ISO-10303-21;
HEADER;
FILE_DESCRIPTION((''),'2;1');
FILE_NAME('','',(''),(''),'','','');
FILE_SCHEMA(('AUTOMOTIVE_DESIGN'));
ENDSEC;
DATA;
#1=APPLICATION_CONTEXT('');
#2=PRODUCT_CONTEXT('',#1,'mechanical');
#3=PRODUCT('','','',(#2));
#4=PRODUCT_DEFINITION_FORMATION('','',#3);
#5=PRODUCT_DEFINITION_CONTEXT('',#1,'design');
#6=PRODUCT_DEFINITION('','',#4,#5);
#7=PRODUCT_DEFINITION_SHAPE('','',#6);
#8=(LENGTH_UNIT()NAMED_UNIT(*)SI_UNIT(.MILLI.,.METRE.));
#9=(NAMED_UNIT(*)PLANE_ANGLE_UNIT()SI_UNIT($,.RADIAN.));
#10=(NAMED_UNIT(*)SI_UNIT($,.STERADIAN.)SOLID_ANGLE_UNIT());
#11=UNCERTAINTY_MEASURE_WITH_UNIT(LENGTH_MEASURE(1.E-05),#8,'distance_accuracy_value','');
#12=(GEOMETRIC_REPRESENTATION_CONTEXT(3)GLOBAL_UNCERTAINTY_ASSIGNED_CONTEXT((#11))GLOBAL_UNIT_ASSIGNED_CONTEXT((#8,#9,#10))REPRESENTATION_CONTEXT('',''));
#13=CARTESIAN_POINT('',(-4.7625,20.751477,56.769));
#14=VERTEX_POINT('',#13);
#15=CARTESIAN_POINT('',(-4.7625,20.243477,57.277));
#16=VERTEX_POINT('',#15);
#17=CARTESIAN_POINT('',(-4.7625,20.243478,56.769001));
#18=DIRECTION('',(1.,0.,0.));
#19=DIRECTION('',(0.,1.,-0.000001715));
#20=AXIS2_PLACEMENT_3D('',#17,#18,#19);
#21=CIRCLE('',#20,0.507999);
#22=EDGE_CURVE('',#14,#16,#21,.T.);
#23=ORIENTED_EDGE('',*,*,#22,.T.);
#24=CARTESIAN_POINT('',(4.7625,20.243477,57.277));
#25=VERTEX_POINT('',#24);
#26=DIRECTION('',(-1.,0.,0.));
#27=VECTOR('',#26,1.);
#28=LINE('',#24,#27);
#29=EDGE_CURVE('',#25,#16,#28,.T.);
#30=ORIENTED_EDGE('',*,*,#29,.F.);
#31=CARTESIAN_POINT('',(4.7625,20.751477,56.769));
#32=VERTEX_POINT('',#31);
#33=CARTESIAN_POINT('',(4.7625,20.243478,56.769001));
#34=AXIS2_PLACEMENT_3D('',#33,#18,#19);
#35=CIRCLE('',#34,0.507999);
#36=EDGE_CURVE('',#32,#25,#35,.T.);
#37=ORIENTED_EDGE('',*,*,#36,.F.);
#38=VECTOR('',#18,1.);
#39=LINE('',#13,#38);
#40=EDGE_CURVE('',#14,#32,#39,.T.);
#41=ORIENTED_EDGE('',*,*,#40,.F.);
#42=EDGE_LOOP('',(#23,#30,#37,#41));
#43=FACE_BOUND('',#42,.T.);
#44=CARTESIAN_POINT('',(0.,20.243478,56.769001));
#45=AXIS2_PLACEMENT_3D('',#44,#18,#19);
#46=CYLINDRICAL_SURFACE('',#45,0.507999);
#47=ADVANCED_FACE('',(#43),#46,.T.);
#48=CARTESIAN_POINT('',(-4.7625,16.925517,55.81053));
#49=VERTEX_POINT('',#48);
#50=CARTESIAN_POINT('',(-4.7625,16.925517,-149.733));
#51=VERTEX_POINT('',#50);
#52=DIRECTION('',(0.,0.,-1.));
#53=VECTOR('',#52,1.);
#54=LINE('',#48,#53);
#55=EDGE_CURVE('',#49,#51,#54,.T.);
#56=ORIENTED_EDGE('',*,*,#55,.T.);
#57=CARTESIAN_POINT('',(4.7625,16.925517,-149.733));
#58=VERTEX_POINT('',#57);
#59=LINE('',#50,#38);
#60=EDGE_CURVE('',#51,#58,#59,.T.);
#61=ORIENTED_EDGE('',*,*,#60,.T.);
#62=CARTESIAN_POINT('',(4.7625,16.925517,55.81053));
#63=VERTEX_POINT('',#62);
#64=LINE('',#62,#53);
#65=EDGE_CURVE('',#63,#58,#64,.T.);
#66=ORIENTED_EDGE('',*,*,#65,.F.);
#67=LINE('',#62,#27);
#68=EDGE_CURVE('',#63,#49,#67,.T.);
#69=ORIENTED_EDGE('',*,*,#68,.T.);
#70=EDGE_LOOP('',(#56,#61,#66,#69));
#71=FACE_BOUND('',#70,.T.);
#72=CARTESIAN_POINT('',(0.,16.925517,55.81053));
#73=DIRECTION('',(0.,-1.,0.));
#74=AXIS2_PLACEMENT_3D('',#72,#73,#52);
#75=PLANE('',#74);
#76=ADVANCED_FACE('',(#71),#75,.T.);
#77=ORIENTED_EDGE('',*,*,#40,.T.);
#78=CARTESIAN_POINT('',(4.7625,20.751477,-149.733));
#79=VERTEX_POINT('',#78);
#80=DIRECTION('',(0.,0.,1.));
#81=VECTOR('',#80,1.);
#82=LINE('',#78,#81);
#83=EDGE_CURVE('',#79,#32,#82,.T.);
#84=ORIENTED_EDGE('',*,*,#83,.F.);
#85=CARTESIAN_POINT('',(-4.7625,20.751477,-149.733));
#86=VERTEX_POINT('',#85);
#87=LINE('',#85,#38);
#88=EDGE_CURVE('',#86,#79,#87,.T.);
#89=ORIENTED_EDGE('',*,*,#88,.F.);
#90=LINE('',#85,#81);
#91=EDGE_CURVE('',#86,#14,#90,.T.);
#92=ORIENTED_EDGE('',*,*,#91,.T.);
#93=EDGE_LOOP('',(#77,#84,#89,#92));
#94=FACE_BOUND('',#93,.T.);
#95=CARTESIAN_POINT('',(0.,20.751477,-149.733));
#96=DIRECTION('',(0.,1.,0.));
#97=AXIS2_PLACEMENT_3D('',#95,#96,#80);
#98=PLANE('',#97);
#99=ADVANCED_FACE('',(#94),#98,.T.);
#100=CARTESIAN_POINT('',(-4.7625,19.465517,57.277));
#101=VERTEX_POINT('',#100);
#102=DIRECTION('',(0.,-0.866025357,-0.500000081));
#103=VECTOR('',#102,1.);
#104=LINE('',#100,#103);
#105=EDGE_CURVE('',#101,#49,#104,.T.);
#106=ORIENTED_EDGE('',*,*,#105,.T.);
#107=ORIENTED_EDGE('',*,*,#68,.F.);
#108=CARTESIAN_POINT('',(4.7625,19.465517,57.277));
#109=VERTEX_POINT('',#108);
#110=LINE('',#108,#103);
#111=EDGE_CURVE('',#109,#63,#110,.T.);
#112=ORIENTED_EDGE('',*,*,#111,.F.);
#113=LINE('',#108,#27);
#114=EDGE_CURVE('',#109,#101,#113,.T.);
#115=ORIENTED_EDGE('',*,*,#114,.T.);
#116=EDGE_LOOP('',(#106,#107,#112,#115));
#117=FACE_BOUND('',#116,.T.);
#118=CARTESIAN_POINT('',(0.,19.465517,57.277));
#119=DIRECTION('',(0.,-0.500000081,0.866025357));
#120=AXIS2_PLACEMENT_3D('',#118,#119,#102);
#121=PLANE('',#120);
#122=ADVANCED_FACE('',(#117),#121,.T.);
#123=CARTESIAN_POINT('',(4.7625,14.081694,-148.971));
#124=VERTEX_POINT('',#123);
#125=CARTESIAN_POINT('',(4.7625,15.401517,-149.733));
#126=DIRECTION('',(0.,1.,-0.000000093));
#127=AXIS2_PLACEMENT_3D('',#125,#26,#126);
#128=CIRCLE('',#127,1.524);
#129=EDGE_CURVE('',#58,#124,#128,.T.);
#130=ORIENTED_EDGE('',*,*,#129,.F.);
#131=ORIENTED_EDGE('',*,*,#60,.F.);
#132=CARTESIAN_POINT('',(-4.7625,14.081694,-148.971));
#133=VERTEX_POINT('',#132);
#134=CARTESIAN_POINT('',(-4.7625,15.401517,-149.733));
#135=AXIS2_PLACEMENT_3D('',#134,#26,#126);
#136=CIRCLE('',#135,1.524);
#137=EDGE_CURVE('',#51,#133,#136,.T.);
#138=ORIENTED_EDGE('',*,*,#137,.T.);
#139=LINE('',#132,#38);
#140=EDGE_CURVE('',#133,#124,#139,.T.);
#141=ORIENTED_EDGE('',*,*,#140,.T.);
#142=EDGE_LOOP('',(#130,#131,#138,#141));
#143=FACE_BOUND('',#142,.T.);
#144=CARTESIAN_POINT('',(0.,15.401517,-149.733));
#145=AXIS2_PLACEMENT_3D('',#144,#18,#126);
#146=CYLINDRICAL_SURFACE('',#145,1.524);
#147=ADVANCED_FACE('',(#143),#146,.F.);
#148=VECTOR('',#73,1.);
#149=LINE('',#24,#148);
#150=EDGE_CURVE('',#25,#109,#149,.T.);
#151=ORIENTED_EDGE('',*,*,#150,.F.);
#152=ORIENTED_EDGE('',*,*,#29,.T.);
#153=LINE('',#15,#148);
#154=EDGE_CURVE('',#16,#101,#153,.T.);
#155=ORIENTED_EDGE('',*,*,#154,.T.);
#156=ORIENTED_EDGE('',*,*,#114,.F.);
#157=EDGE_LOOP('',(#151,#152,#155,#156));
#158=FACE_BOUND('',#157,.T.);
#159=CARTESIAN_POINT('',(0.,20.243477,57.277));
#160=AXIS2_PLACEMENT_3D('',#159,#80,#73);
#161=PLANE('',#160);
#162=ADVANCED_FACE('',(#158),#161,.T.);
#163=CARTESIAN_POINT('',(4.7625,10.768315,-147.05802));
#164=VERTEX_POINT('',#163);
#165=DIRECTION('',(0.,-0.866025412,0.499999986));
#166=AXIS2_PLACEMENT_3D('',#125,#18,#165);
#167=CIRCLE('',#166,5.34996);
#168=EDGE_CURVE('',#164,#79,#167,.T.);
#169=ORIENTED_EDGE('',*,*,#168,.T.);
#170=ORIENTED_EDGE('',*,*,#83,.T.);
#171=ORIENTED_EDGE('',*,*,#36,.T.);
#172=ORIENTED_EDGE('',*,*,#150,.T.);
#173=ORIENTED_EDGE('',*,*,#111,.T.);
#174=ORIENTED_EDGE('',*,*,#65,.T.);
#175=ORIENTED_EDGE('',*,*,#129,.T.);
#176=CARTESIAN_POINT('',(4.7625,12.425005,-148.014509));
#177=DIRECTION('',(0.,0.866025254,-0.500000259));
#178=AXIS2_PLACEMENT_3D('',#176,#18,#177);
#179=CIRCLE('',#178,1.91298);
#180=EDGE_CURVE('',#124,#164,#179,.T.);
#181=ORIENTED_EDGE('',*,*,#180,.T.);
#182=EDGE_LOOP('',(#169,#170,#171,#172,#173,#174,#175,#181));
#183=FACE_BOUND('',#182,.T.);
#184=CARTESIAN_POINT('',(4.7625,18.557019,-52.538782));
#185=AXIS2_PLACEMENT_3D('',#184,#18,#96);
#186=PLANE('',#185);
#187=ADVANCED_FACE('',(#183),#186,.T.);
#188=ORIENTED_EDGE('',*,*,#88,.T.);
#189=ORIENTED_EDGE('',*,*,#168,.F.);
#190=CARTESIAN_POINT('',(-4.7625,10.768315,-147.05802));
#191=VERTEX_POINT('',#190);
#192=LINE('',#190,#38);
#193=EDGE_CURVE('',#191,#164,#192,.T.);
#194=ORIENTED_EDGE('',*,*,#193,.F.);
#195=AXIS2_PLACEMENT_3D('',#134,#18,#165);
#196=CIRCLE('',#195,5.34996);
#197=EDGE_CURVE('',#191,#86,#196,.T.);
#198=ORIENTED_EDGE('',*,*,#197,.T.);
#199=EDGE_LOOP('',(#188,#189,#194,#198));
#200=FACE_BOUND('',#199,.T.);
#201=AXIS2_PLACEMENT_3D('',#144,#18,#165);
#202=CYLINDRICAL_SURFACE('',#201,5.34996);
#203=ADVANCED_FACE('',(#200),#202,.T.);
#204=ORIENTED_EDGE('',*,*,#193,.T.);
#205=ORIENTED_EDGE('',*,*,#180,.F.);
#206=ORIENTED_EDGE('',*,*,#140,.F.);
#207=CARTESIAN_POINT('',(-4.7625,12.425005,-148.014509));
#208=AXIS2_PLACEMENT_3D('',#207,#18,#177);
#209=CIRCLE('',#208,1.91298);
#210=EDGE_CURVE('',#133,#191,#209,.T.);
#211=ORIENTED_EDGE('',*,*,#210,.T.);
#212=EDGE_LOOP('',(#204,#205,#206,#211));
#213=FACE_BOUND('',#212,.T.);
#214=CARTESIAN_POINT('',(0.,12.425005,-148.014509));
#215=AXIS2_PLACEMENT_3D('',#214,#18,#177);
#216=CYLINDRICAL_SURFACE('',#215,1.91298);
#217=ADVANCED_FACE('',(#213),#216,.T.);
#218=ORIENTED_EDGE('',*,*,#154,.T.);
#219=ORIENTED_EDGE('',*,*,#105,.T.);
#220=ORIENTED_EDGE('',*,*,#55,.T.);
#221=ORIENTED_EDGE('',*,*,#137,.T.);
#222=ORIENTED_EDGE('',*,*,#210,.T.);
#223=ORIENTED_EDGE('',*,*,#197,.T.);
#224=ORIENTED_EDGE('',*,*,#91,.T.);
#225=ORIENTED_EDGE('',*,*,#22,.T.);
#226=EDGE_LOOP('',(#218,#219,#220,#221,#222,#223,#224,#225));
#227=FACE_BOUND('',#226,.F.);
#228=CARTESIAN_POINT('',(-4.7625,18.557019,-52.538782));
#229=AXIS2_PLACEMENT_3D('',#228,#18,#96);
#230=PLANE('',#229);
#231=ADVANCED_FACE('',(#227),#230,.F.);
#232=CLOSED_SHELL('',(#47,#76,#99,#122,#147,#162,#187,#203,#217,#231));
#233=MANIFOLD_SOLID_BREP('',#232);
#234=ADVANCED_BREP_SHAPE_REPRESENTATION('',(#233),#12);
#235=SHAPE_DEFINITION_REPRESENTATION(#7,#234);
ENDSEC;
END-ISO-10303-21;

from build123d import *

# Parameters (mm, degrees)
F3_DEPTH = 4.7625


with BuildPart() as f3:
    # F2 (on Right) → F3 (new body, symmetric)
    with BuildSketch(Plane.YZ):
        with BuildLine():
            Line((16.925517, 55.81053), (16.925517, -149.733))
            ThreePointArc((16.925517, -149.733), (15.007077, -151.205071), (14.081694, -148.971))
            ThreePointArc((14.081694, -148.971), (13.381495, -146.35782), (10.768315, -147.05802))
            ThreePointArc((10.768315, -147.05802), (14.016845, -154.900665), (20.751477, -149.733))
            Line((20.751477, -149.733), (20.751477, 56.769))
            ThreePointArc((20.751477, 56.769), (20.602688, 57.12821), (20.243477, 57.277))
            Line((20.243477, 57.277), (19.465517, 57.277))
            Line((19.465517, 57.277), (16.925517, 55.81053))
        make_face()
    extrude(amount=F3_DEPTH, both=True)


solid = f3.part
